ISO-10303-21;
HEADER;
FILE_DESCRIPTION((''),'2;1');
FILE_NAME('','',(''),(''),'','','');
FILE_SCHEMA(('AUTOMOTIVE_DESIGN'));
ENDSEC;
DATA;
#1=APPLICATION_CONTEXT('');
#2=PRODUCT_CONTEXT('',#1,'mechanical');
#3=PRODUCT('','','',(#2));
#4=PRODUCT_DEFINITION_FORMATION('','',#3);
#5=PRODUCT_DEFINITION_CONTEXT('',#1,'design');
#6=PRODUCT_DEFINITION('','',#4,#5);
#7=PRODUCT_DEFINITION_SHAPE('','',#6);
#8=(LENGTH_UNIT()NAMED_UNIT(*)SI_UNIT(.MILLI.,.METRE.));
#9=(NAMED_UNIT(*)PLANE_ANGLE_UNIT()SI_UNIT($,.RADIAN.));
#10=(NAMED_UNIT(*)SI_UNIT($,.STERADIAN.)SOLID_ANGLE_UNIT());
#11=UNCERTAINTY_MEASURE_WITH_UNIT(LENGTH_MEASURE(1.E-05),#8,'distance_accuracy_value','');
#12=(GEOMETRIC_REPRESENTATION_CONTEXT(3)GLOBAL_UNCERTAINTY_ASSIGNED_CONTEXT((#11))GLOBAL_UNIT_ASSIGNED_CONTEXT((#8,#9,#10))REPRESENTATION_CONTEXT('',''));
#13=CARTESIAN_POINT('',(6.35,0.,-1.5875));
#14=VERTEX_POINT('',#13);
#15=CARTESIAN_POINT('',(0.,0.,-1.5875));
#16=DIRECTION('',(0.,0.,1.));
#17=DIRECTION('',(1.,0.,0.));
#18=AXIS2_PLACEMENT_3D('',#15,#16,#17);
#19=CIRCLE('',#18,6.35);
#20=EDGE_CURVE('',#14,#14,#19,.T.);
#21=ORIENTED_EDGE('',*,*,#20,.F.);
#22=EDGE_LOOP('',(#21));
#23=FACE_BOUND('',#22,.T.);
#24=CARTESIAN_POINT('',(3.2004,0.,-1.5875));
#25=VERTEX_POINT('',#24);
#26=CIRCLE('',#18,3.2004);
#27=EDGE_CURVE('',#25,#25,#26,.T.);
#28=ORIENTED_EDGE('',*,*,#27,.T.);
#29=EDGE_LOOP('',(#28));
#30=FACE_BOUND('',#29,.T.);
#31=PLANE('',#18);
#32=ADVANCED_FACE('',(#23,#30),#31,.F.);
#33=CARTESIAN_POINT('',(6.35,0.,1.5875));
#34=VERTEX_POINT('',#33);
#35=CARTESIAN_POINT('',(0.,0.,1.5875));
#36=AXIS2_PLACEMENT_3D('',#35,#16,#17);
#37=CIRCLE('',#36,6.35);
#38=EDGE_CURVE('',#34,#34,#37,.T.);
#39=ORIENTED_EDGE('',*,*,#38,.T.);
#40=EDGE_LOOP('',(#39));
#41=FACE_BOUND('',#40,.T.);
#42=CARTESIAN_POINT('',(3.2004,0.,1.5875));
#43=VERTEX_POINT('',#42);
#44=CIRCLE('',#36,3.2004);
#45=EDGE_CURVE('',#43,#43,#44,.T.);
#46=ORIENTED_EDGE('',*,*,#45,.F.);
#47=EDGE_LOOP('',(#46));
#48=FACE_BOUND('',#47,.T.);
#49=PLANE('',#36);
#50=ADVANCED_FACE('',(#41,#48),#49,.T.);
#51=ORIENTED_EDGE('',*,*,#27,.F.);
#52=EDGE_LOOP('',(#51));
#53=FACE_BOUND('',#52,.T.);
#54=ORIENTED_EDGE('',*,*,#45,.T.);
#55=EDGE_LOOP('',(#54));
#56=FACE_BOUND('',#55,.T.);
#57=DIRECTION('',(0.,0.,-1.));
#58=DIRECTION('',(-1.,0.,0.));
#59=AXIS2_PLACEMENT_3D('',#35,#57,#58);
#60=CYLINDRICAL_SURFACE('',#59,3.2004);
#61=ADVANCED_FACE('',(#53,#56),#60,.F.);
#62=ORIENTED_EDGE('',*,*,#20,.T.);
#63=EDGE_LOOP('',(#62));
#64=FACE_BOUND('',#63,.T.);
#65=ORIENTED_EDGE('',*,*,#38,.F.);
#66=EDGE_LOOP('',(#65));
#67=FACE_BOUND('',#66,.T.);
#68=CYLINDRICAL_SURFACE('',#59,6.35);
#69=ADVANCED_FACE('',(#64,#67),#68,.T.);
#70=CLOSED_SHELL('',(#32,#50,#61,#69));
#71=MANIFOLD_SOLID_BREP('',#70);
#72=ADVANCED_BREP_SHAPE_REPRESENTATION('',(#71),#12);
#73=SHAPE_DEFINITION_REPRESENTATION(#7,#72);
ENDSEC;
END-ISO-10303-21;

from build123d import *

# Parameters (mm, degrees)
SKETCH1_R      = 6.35
SKETCH1_R_2    = 3.2004
EXTRUDE1_DEPTH = 1.5875


with BuildPart() as part:
    # Sketch1 → Extrude1 (new body, symmetric)
    with BuildSketch(Plane.XY):
        Circle(SKETCH1_R)
        Circle(SKETCH1_R_2, mode=Mode.SUBTRACT)
    extrude(amount=EXTRUDE1_DEPTH, both=True)


solid = part.part
